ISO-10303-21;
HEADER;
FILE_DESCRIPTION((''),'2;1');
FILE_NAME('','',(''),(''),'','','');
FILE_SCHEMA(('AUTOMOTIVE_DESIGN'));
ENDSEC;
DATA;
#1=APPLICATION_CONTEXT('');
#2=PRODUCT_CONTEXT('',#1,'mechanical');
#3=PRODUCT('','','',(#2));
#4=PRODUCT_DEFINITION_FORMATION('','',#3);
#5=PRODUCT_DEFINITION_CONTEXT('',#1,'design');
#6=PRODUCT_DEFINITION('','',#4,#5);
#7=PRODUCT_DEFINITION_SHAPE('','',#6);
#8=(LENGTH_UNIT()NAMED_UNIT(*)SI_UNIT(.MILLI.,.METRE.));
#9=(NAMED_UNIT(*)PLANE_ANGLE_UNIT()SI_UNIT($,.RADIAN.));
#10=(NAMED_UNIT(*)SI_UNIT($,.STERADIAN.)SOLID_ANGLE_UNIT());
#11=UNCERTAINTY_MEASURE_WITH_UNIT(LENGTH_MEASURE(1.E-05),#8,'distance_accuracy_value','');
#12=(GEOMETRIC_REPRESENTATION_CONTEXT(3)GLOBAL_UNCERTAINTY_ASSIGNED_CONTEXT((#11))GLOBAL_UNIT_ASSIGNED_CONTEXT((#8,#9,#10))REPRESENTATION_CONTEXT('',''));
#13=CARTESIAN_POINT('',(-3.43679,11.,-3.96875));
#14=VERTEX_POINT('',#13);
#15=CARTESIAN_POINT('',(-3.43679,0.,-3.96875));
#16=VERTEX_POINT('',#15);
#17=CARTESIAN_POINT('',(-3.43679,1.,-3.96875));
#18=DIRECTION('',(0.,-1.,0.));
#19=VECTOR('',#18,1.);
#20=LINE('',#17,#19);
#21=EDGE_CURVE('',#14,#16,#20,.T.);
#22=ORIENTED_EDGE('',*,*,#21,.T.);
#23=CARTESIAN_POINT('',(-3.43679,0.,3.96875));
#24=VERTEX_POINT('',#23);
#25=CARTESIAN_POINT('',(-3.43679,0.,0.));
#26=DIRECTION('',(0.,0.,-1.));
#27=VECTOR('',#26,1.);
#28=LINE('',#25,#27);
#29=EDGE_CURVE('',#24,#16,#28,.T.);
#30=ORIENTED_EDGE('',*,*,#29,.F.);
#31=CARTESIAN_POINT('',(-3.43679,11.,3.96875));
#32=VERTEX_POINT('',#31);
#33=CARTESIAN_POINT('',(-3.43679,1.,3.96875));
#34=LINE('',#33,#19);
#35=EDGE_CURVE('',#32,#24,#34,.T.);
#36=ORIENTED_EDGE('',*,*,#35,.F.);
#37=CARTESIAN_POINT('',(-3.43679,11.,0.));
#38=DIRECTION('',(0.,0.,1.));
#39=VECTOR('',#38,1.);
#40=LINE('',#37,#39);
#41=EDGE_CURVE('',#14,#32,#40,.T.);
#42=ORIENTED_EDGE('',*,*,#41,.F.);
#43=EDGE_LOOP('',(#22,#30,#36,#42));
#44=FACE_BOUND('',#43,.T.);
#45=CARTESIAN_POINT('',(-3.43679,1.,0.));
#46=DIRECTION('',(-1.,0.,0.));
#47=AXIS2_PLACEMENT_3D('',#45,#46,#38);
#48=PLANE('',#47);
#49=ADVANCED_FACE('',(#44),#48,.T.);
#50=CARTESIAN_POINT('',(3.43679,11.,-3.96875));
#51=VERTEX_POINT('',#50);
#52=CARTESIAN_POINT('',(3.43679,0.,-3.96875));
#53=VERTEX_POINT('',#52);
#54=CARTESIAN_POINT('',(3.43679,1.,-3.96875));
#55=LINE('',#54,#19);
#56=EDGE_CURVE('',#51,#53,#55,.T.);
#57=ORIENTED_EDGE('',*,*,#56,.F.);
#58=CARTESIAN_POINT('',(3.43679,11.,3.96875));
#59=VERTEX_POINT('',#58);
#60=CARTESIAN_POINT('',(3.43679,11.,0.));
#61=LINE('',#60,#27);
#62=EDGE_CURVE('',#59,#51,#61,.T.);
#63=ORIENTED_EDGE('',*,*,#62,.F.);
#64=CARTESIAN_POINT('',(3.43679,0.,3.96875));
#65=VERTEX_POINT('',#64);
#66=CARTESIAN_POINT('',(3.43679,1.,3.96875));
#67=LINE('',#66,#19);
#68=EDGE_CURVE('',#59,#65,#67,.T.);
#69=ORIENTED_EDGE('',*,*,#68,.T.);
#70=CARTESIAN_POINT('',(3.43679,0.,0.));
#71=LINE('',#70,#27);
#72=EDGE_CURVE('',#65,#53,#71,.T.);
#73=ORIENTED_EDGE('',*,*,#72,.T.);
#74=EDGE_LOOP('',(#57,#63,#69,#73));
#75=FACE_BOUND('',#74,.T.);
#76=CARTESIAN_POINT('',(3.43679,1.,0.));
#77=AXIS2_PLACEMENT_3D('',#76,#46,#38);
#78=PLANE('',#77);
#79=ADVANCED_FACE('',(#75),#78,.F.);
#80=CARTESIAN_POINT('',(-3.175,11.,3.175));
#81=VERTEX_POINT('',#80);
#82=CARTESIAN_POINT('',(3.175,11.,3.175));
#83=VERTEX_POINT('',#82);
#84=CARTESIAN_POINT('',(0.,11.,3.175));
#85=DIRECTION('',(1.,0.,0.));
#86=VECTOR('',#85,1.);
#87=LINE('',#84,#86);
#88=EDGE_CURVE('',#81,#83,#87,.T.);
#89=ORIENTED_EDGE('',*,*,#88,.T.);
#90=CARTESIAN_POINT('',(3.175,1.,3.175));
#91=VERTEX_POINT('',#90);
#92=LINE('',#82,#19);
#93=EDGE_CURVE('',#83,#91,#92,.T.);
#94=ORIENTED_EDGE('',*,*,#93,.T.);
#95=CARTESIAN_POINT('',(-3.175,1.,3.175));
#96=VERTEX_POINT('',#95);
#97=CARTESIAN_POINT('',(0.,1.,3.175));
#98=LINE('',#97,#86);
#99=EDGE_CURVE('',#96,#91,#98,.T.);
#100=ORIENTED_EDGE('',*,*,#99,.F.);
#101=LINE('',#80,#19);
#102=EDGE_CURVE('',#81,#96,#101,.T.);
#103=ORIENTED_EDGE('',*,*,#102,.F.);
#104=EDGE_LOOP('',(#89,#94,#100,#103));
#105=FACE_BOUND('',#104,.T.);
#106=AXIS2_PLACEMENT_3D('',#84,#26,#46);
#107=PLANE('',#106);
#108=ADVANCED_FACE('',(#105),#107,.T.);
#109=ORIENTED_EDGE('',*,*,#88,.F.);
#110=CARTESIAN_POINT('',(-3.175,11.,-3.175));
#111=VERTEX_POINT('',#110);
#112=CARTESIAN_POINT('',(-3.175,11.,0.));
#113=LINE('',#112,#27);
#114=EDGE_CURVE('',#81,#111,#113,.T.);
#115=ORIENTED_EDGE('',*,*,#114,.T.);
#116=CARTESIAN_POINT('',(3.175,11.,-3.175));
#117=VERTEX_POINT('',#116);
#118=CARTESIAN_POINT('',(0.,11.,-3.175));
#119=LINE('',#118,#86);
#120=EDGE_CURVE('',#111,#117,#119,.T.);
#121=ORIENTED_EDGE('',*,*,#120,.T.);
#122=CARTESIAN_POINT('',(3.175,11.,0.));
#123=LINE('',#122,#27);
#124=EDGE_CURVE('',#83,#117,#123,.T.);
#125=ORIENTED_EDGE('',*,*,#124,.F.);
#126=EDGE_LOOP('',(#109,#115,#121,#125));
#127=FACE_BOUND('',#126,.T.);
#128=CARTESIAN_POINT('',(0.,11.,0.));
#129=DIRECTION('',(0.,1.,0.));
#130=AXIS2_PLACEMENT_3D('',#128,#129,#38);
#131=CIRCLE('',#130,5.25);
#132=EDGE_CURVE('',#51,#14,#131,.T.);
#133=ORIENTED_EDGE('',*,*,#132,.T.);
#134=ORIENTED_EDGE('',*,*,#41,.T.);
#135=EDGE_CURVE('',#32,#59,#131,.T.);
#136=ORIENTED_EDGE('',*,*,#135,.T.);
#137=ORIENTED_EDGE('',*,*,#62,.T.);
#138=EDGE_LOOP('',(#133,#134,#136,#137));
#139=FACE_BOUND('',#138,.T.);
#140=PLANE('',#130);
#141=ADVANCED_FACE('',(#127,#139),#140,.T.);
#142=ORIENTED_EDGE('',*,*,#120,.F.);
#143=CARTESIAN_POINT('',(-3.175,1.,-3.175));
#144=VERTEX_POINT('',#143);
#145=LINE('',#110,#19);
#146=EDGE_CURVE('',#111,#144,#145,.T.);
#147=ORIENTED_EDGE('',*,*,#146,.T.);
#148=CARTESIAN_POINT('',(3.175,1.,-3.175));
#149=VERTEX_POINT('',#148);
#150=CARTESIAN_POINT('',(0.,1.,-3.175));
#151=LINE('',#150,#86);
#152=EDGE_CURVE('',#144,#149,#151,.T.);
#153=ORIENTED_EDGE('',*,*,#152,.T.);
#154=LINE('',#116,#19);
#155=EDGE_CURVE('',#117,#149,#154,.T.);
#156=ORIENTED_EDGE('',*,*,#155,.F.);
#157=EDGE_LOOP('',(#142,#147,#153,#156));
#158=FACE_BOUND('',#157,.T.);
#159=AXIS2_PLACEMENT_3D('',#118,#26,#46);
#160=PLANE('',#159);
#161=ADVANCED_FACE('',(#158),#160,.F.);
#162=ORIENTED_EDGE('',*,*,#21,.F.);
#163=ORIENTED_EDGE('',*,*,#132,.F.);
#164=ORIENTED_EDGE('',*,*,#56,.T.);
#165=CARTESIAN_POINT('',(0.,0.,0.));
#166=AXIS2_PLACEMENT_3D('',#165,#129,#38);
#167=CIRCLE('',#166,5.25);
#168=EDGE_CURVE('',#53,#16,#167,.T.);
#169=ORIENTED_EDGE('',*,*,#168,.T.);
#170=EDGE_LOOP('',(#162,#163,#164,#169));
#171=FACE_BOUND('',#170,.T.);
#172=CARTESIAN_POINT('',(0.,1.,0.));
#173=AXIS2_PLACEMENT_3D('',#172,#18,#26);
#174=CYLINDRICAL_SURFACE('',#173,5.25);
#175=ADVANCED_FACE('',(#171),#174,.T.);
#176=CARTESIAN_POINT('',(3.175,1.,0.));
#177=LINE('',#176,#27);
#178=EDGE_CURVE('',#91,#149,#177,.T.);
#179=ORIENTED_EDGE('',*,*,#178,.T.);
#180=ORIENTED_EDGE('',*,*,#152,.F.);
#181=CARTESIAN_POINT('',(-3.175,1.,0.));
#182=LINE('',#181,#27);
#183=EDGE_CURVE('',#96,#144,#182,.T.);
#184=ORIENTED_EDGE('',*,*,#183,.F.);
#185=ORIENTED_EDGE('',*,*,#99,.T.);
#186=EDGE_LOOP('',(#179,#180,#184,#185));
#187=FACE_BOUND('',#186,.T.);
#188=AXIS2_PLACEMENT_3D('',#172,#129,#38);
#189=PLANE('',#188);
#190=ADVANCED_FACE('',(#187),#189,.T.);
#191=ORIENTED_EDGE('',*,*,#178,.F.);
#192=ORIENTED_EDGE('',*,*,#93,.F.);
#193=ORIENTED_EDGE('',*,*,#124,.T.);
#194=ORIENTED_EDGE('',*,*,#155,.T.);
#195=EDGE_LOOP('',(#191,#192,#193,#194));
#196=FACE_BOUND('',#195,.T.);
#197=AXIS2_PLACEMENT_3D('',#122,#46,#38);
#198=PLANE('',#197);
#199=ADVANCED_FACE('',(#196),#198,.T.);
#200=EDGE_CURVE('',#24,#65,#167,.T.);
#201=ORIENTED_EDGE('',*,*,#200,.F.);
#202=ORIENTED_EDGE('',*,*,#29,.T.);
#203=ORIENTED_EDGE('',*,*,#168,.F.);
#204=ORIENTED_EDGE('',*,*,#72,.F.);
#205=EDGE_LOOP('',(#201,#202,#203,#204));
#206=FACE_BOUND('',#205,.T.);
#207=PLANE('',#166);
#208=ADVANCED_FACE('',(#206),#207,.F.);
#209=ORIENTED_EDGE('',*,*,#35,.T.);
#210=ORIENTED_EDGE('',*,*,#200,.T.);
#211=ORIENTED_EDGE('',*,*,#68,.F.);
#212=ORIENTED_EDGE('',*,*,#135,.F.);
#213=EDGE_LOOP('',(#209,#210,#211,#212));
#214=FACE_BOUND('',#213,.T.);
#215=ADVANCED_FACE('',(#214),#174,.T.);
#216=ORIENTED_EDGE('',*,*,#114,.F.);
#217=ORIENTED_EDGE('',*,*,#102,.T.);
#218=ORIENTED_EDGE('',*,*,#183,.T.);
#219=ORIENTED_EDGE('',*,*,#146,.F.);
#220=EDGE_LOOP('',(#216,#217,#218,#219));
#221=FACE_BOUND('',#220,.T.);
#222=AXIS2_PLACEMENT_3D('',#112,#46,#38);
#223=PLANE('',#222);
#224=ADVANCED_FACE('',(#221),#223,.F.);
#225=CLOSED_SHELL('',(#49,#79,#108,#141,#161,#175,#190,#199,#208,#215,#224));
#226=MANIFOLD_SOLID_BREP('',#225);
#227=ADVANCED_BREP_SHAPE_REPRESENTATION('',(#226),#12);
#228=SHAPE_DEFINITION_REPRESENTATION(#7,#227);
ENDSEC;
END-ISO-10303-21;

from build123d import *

# Parameters (mm, degrees)
SKETCH1_W           = 6.873579398
SKETCH1_H           = 7.9375
BOSS_EXTRUDE1_DEPTH = 1
SKETCH2_W           = 6.35
SKETCH2_H           = 6.35
BOSS_EXTRUDE2_DEPTH = 10


with BuildPart() as part:
    # Sketch1 → Boss-Extrude1 (new body)
    with BuildSketch(Plane(origin=(0, 0, 0), x_dir=(1, 0, 0), z_dir=(0, 1, 0))):
        Rectangle(SKETCH1_W, SKETCH1_H)
        with BuildLine():
            ThreePointArc((3.436789699, 3.96875), (0, 5.25), (-3.436789699, 3.96875))
            Line((-3.436789699, 3.96875), (3.436789699, 3.96875))
        make_face()
        with BuildLine():
            Line((3.436789699, -3.96875), (-3.436789699, -3.96875))
            ThreePointArc((-3.436789699, -3.96875), (0, -5.25), (3.436789699, -3.96875))
        make_face()
    extrude(amount=BOSS_EXTRUDE1_DEPTH)

    # Sketch2 → Boss-Extrude2 (add)
    with BuildSketch(Plane(origin=(0, 1, 0), x_dir=(1, 0, 0), z_dir=(0, 1, 0))):
        with BuildLine():
            Line((-3.436789699, 3.96875), (-3.436789699, -3.96875))
            ThreePointArc((-3.436789699, -3.96875), (0, -5.25), (3.436789699, -3.96875))
            Line((3.436789699, -3.96875), (3.436789699, 3.96875))
            ThreePointArc((3.436789699, 3.96875), (0, 5.25), (-3.436789699, 3.96875))
        make_face()
        Rectangle(SKETCH2_W, SKETCH2_H, mode=Mode.SUBTRACT)
    extrude(amount=BOSS_EXTRUDE2_DEPTH)


solid = part.part
